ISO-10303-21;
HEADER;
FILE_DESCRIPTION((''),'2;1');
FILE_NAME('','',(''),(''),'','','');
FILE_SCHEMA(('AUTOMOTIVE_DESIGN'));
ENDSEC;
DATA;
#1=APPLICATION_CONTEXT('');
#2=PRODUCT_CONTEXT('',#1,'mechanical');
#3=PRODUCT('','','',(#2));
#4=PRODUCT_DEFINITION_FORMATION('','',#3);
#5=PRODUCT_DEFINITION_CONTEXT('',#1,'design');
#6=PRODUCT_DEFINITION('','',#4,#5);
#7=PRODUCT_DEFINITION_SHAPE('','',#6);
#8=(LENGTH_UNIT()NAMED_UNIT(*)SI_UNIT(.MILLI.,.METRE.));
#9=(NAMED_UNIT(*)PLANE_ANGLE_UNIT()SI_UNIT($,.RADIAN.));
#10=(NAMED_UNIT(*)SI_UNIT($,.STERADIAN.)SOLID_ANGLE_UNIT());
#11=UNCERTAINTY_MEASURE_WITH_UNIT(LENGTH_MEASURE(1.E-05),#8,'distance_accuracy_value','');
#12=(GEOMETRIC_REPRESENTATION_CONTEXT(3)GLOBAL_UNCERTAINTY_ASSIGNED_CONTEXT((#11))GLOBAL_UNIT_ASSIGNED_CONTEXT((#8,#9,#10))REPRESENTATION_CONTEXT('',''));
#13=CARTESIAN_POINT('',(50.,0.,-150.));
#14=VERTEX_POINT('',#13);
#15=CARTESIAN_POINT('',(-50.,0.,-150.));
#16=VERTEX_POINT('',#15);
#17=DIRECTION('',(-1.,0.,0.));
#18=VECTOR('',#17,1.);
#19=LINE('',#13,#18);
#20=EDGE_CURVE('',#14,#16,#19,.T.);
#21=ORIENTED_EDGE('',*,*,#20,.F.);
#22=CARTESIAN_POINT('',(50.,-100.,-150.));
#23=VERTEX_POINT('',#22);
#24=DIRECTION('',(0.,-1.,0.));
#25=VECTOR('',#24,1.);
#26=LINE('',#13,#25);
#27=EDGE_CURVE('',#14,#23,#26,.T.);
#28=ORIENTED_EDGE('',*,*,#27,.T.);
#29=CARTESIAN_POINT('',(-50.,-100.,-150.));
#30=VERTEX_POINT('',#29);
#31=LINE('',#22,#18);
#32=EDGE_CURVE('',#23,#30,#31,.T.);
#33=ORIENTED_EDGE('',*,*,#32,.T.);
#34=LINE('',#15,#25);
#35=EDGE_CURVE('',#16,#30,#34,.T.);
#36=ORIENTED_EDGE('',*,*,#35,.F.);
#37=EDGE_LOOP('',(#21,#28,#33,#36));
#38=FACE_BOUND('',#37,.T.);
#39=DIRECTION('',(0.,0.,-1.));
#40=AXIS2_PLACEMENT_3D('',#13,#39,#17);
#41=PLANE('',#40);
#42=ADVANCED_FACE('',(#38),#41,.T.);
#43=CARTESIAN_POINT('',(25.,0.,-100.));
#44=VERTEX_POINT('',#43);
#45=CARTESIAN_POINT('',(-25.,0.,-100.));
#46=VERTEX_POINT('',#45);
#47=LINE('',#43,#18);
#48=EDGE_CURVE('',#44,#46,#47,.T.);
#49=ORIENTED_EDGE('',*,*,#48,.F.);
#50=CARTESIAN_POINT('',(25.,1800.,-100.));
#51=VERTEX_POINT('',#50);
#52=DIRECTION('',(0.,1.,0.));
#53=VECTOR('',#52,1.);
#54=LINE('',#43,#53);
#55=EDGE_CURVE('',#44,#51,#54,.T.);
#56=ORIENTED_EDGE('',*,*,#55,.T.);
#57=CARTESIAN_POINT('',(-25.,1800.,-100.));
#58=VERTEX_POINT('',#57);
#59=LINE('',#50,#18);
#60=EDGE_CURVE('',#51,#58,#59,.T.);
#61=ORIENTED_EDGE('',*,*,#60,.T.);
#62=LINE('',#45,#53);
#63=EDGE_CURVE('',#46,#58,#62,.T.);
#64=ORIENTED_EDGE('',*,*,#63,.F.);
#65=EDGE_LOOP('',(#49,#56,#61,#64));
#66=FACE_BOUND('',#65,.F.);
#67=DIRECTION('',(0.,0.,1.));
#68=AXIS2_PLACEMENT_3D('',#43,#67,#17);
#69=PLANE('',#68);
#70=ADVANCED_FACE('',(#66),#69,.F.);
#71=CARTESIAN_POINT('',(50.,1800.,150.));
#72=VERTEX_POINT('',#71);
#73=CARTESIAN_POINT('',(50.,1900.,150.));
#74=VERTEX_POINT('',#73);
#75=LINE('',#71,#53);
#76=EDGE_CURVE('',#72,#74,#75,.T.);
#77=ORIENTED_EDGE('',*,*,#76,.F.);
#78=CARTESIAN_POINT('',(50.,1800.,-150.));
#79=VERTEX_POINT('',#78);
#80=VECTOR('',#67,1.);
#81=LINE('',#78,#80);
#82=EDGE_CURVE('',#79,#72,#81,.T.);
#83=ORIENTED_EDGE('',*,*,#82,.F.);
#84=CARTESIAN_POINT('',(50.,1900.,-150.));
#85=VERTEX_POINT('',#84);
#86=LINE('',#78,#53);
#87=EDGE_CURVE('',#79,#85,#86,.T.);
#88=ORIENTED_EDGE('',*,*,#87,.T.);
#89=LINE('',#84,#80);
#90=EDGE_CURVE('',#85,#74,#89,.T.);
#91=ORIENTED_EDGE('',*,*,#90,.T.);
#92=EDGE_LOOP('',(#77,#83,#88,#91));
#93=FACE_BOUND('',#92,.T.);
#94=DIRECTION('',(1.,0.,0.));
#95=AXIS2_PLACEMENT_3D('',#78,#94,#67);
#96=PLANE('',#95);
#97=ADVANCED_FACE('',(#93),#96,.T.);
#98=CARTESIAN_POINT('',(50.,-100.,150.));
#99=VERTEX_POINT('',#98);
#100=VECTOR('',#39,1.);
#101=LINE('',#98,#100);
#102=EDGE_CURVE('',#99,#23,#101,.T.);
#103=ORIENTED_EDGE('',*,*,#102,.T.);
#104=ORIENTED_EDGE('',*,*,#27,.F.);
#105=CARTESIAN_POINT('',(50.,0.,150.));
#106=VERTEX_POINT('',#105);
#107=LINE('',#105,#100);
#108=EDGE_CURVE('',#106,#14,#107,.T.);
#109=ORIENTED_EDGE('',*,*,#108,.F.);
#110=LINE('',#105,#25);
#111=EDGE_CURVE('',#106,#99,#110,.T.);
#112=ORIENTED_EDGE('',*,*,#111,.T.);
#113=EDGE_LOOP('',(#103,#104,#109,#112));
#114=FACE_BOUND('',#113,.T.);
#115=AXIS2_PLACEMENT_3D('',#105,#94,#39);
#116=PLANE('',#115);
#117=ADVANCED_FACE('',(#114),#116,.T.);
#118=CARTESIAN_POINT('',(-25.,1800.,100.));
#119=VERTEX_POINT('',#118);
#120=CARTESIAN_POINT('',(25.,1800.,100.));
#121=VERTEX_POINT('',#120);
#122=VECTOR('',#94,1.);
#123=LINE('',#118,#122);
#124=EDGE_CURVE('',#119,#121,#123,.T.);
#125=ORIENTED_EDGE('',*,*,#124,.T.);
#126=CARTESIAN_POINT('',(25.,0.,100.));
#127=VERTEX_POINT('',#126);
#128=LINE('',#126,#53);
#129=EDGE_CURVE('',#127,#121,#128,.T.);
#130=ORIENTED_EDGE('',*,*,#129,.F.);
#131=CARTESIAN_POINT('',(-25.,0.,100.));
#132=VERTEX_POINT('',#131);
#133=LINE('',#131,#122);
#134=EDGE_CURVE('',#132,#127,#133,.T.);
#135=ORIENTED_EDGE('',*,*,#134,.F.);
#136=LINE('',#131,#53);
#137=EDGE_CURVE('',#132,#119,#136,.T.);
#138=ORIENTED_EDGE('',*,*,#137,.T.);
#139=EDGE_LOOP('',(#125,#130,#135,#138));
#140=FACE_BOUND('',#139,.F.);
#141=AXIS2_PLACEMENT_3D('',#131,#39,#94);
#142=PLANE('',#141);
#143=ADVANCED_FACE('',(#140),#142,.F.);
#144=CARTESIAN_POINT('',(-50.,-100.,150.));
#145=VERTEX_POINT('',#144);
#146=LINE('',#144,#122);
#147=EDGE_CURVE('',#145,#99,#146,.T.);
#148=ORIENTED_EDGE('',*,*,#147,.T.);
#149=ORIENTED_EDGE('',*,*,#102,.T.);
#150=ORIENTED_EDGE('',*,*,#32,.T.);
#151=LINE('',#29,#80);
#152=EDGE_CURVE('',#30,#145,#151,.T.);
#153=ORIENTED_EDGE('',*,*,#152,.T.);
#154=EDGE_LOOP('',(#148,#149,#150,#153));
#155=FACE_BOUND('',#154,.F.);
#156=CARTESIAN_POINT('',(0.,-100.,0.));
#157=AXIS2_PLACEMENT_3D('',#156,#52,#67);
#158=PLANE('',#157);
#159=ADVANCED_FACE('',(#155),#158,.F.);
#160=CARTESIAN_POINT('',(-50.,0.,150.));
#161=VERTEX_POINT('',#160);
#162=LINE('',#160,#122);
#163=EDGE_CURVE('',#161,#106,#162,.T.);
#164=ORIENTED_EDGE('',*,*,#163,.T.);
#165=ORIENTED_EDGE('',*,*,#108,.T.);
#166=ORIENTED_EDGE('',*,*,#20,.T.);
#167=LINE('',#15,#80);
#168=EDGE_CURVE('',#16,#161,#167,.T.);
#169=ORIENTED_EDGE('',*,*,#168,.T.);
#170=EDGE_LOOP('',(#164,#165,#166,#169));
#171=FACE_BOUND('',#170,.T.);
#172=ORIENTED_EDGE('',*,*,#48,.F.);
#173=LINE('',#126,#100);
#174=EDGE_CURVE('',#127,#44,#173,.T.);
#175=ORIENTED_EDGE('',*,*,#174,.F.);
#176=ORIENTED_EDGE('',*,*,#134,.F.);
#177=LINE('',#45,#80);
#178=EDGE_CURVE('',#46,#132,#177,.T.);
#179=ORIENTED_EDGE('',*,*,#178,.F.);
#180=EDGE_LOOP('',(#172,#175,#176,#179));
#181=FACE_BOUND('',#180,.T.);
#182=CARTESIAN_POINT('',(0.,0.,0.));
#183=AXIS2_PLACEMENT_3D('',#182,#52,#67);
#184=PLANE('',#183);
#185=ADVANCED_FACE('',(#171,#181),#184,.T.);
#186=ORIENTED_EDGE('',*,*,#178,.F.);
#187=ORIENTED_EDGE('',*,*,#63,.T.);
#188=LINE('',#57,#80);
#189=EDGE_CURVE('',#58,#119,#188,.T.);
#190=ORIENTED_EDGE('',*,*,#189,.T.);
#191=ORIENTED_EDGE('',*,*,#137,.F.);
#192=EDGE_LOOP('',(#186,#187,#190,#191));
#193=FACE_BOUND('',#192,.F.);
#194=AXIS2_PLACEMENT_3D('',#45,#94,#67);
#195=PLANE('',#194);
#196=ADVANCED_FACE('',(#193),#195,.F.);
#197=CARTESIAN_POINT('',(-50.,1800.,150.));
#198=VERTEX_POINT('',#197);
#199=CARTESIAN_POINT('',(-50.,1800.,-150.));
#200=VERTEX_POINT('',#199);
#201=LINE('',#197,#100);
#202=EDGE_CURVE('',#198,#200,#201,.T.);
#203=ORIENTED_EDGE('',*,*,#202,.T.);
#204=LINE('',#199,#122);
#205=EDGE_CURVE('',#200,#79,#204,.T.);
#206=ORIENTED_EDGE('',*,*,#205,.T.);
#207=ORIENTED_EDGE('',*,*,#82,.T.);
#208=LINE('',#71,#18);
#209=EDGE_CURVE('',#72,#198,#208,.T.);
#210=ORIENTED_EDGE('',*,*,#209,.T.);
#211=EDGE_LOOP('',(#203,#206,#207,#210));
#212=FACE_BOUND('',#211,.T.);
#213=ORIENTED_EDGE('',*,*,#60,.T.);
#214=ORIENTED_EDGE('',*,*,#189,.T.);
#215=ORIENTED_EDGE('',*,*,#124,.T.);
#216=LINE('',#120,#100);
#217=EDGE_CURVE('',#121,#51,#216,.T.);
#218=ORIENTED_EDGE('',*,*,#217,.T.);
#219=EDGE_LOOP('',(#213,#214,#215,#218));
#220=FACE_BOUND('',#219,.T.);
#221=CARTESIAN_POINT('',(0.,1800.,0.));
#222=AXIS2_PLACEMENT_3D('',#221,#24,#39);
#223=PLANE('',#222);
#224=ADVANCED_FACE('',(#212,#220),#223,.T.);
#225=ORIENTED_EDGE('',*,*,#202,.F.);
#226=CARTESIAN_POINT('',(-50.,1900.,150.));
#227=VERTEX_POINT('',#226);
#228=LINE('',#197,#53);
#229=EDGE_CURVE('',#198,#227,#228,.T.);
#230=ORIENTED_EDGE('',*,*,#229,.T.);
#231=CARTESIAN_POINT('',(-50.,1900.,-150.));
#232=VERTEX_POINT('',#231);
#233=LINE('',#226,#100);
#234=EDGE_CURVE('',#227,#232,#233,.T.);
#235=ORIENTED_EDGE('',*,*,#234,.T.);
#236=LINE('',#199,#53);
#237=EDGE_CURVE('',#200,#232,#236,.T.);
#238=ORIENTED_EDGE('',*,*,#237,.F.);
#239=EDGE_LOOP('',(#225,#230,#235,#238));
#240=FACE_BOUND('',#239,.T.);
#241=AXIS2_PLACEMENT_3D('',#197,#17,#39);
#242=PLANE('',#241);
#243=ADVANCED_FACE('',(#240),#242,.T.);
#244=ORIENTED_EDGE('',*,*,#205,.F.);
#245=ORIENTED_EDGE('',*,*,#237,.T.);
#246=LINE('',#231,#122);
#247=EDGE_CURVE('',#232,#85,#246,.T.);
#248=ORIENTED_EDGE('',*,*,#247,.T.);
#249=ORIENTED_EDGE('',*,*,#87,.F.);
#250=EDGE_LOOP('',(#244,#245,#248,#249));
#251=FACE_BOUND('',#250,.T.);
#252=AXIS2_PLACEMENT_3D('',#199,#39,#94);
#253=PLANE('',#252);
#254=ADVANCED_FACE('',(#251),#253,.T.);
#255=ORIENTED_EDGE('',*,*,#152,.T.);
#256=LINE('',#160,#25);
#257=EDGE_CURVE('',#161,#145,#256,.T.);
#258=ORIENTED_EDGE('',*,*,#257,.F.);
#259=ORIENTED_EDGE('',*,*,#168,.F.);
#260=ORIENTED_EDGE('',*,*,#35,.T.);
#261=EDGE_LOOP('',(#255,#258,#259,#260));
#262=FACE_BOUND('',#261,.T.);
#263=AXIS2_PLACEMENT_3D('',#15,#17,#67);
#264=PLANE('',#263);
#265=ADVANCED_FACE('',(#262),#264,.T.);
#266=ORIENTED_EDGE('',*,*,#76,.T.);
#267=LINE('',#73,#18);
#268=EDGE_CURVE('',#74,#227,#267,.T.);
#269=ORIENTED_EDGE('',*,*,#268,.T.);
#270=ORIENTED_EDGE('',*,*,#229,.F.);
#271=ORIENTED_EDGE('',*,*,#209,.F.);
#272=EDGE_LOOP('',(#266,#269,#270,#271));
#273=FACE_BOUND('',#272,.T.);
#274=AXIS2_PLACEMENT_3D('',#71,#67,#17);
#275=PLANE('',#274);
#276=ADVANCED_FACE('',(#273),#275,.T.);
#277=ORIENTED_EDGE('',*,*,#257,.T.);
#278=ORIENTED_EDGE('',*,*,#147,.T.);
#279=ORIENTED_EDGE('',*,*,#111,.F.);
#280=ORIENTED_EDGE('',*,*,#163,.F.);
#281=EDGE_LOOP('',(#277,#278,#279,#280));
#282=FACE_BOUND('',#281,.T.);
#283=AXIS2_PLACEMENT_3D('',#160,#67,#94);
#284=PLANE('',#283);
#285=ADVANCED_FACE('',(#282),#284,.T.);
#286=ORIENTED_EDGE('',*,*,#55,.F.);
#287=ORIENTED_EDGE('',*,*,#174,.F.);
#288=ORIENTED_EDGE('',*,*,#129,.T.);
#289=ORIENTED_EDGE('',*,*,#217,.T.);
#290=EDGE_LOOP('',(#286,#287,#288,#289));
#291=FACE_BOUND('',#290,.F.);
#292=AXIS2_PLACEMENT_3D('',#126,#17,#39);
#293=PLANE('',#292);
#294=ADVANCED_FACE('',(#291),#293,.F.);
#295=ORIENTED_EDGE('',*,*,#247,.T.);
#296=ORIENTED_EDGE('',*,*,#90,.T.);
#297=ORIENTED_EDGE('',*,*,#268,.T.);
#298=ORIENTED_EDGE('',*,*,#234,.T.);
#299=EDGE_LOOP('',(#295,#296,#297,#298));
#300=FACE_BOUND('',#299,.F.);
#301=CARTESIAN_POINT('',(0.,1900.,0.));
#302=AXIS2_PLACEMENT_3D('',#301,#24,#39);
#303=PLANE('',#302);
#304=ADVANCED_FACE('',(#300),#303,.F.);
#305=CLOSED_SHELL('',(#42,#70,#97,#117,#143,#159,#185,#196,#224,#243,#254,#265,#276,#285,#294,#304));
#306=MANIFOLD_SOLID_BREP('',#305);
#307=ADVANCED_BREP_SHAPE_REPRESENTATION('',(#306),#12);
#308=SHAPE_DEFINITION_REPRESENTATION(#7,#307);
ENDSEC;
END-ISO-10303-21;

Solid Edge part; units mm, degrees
sketch "Sketch1" plane through (0, 0, 0) normal (0, 1, 0) x (-1, 0, 0)
  line L0 (50, -150) -> (50, 150)
  line L1 (50, 150) -> (-50, 150)
  line L2 (-50, 150) -> (-50, -150)
  line L3 (-50, -150) -> (50, -150)
extrude "Protrusion1" add sketch "Sketch1" against normal blind 100
sketch "Sketch2" plane through (0, 0, 0) normal (0, 1, 0) x (1, 0, 0)
  line L0 (-25, 100) -> (-25, -100)
  line L1 (-25, -100) -> (25, -100)
  line L2 (25, -100) -> (25, 100)
  line L3 (25, 100) -> (-25, 100)
extrude "ExtrudedProtrusion_4" add sketch "Sketch2" along normal blind 1800
sketch "Sketch3" plane through (0, 1800, 0) normal (0, 1, 0) x (1, 0, 0)
  line L0 (50, 150) -> (50, -150)
  line L1 (50, -150) -> (-50, -150)
  line L2 (-50, -150) -> (-50, 150)
  line L3 (-50, 150) -> (50, 150)
extrude "ExtrudedProtrusion_5" add sketch "Sketch3" along normal blind 100
properties material "Aluminum, 1060"
